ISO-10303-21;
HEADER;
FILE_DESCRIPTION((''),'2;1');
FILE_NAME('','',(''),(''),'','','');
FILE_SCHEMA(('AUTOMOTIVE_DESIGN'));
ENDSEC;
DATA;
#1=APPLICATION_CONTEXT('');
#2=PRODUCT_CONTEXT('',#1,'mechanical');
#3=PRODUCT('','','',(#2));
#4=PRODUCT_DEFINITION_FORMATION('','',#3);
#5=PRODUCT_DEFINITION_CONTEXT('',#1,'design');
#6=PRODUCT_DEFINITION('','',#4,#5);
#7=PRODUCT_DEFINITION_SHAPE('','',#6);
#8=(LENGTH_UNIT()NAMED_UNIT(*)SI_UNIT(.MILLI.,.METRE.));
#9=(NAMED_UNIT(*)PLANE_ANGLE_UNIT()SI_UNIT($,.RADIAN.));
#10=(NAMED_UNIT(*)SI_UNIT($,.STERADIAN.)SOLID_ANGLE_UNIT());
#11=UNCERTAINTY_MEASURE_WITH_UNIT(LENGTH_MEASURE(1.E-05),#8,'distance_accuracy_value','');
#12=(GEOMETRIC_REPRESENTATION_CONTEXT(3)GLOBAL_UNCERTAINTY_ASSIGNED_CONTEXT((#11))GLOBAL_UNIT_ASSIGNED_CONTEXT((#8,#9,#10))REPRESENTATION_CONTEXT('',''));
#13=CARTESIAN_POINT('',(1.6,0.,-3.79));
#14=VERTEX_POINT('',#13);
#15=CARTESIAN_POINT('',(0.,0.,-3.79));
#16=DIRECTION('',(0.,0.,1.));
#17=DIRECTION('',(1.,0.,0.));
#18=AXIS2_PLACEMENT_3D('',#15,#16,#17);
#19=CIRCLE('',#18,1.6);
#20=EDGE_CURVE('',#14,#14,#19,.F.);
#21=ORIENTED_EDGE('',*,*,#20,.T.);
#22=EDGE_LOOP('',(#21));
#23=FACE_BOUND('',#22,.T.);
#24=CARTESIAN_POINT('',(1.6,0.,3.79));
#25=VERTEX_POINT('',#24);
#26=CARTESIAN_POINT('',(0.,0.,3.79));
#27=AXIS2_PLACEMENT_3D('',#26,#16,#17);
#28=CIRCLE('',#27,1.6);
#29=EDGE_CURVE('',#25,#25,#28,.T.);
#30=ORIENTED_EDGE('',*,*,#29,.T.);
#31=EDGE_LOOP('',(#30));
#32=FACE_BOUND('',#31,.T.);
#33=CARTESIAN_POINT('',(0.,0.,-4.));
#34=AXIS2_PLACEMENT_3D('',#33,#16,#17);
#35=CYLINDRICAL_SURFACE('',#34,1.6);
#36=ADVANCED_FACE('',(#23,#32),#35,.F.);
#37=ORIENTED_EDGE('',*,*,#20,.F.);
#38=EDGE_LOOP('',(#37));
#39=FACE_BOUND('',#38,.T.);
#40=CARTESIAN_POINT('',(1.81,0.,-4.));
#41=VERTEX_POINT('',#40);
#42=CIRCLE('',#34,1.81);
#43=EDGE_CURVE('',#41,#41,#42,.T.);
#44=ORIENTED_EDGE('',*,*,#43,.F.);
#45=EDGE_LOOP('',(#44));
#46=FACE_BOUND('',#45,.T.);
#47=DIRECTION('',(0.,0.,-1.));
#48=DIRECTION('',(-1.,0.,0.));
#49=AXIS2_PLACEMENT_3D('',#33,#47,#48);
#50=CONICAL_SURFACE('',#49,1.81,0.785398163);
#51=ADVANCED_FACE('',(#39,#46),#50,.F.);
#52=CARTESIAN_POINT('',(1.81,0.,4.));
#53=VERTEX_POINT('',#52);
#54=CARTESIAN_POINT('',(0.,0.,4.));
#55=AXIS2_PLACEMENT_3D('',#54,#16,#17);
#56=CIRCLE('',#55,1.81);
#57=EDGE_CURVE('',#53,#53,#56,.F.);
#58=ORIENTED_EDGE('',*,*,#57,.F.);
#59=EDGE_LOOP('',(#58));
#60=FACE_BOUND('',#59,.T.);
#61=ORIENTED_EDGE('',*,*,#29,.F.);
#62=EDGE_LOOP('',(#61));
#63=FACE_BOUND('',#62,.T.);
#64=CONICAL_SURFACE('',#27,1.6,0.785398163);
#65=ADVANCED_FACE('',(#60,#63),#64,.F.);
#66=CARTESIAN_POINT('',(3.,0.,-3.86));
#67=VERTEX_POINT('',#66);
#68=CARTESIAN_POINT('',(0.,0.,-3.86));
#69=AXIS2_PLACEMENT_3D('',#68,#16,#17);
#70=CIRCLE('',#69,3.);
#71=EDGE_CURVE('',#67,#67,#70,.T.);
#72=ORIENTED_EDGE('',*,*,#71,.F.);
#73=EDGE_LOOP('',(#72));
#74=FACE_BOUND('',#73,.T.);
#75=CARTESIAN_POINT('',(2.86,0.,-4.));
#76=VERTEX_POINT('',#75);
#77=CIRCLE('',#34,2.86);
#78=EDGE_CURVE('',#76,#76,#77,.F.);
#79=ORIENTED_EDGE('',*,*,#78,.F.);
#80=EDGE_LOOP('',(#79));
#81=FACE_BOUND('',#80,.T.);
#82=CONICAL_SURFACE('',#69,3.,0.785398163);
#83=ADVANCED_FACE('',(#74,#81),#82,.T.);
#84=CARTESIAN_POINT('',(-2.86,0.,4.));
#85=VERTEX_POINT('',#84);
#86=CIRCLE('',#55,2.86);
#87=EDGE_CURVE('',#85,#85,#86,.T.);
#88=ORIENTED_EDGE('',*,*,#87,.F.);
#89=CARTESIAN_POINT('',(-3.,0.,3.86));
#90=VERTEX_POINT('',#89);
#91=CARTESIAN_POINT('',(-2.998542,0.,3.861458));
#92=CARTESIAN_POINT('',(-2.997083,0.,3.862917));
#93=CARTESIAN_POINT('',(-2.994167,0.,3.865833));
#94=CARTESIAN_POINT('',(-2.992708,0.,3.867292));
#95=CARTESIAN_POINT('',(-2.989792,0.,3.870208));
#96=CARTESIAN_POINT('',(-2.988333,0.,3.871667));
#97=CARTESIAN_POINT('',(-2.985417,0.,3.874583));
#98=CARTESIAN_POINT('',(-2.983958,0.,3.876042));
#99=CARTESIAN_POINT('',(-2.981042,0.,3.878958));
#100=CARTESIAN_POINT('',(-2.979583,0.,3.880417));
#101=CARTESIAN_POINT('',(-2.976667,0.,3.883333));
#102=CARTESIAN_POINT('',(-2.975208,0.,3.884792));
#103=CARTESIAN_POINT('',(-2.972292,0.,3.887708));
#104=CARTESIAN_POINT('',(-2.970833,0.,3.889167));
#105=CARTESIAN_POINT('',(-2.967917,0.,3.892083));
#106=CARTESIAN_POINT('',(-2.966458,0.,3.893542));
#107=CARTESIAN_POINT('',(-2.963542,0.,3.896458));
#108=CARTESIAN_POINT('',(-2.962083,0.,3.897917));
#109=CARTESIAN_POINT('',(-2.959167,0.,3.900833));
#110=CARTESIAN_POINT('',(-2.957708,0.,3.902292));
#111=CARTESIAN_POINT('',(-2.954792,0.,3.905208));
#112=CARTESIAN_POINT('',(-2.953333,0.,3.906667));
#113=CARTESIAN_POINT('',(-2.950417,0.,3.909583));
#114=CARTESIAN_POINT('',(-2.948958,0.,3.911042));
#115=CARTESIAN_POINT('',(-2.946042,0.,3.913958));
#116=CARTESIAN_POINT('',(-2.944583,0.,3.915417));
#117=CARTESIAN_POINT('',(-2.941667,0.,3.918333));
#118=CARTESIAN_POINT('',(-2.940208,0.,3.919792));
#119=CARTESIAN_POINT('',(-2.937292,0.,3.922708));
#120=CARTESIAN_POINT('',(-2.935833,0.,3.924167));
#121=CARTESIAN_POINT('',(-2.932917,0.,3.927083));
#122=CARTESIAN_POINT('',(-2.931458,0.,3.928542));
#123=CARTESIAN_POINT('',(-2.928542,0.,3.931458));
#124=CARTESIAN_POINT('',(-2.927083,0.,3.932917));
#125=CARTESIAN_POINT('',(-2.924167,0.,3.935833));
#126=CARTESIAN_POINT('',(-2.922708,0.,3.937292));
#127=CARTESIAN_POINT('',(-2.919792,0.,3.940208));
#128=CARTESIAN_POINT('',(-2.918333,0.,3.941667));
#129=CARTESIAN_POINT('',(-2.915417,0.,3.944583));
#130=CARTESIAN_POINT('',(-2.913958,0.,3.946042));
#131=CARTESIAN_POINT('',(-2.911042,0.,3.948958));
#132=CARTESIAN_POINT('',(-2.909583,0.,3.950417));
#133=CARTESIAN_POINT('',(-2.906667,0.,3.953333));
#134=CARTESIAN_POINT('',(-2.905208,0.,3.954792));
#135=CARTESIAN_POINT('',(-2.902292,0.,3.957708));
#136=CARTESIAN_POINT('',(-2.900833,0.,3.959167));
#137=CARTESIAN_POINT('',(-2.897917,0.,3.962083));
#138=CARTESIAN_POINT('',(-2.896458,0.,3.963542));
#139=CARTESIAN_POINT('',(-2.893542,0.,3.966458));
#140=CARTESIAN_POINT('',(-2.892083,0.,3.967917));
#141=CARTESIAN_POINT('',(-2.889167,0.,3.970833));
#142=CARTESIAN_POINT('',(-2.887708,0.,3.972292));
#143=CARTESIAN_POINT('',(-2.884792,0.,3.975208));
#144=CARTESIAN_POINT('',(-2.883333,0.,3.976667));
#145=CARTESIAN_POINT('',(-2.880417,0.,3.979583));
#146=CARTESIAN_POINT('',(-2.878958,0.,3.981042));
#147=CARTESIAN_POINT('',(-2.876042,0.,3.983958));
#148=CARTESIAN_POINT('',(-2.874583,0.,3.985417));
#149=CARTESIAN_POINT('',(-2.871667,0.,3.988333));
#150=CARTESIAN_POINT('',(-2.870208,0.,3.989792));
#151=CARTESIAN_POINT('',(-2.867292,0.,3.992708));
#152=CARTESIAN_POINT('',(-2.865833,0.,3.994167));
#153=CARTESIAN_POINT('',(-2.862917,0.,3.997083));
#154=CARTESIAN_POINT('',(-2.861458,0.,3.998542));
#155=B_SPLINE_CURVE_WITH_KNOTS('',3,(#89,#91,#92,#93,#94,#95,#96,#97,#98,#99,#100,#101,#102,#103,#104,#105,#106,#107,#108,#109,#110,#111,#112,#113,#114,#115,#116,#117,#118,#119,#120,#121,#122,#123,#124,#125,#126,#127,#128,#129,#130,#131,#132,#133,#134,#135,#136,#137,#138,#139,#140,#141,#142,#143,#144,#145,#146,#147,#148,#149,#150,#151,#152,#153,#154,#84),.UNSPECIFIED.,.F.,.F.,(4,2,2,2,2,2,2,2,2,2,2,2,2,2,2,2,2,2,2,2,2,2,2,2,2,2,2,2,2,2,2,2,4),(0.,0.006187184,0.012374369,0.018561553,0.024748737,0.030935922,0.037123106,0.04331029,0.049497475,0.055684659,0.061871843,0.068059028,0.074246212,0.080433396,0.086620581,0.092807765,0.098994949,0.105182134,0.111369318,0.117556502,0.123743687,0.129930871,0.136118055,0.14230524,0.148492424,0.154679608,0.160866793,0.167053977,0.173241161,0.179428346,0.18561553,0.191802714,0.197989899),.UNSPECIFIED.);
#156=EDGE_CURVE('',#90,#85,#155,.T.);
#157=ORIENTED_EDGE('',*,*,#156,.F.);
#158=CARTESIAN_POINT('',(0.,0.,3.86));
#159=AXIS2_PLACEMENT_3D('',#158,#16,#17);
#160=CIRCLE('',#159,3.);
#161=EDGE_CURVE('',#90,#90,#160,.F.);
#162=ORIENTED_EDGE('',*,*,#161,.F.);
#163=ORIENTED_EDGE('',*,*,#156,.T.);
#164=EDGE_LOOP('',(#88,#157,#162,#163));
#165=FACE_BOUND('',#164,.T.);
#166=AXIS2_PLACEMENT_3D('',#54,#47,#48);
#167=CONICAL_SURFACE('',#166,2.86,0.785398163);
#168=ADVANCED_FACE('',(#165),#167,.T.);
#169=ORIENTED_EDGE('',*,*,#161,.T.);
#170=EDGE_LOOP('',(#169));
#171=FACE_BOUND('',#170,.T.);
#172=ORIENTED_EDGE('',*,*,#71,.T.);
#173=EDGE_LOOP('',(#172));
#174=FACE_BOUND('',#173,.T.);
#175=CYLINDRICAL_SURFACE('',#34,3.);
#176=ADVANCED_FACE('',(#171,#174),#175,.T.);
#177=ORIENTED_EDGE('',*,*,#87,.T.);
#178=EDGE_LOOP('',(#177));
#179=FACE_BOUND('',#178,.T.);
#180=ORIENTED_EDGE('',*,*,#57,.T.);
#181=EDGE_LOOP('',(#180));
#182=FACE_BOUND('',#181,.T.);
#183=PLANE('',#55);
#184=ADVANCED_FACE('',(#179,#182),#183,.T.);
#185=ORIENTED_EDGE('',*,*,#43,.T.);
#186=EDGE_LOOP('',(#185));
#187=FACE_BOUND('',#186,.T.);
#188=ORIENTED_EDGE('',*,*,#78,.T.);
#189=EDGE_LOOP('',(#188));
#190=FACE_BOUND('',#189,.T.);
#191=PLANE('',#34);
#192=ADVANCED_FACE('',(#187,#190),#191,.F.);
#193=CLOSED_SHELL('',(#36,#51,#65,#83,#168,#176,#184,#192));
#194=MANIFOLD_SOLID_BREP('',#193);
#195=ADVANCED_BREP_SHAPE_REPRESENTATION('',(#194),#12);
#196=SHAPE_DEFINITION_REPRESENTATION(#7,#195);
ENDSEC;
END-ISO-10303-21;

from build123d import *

# Parameters (mm, degrees)
BOSS_EXTRUDE1_DEPTH      = 4
BOSS_EXTRUDE1_DEPTH_BACK = 4
SKETCH3_R                = 3
SKETCH3_R_2              = 1.6
CHAMFER1_SIZE            = 0.14
CHAMFER2_SIZE            = 0.21


with BuildPart() as part:
    # Sketch3 → Boss-Extrude1 (new, two sides: drawn at the far end of the back side and taken through both)
    with BuildSketch(Plane.XY.offset(-BOSS_EXTRUDE1_DEPTH_BACK)):
        Circle(SKETCH3_R)
        Circle(SKETCH3_R_2, mode=Mode.SUBTRACT)
    extrude(amount=BOSS_EXTRUDE1_DEPTH + BOSS_EXTRUDE1_DEPTH_BACK)

    # Chamfer1
    chamfer1_edges = [part.edges().sort_by_distance(p)[0] for p in [
        (-3, 0, -4),
        (-3, 0, 4),
    ]]
    chamfer(chamfer1_edges, length=CHAMFER1_SIZE)

    # Chamfer2
    chamfer2_edges = [part.edges().sort_by_distance(p)[0] for p in [
        (-1.6, 0, -4),
        (-1.6, 0, 4),
    ]]
    chamfer(chamfer2_edges, length=CHAMFER2_SIZE)


solid = part.part
